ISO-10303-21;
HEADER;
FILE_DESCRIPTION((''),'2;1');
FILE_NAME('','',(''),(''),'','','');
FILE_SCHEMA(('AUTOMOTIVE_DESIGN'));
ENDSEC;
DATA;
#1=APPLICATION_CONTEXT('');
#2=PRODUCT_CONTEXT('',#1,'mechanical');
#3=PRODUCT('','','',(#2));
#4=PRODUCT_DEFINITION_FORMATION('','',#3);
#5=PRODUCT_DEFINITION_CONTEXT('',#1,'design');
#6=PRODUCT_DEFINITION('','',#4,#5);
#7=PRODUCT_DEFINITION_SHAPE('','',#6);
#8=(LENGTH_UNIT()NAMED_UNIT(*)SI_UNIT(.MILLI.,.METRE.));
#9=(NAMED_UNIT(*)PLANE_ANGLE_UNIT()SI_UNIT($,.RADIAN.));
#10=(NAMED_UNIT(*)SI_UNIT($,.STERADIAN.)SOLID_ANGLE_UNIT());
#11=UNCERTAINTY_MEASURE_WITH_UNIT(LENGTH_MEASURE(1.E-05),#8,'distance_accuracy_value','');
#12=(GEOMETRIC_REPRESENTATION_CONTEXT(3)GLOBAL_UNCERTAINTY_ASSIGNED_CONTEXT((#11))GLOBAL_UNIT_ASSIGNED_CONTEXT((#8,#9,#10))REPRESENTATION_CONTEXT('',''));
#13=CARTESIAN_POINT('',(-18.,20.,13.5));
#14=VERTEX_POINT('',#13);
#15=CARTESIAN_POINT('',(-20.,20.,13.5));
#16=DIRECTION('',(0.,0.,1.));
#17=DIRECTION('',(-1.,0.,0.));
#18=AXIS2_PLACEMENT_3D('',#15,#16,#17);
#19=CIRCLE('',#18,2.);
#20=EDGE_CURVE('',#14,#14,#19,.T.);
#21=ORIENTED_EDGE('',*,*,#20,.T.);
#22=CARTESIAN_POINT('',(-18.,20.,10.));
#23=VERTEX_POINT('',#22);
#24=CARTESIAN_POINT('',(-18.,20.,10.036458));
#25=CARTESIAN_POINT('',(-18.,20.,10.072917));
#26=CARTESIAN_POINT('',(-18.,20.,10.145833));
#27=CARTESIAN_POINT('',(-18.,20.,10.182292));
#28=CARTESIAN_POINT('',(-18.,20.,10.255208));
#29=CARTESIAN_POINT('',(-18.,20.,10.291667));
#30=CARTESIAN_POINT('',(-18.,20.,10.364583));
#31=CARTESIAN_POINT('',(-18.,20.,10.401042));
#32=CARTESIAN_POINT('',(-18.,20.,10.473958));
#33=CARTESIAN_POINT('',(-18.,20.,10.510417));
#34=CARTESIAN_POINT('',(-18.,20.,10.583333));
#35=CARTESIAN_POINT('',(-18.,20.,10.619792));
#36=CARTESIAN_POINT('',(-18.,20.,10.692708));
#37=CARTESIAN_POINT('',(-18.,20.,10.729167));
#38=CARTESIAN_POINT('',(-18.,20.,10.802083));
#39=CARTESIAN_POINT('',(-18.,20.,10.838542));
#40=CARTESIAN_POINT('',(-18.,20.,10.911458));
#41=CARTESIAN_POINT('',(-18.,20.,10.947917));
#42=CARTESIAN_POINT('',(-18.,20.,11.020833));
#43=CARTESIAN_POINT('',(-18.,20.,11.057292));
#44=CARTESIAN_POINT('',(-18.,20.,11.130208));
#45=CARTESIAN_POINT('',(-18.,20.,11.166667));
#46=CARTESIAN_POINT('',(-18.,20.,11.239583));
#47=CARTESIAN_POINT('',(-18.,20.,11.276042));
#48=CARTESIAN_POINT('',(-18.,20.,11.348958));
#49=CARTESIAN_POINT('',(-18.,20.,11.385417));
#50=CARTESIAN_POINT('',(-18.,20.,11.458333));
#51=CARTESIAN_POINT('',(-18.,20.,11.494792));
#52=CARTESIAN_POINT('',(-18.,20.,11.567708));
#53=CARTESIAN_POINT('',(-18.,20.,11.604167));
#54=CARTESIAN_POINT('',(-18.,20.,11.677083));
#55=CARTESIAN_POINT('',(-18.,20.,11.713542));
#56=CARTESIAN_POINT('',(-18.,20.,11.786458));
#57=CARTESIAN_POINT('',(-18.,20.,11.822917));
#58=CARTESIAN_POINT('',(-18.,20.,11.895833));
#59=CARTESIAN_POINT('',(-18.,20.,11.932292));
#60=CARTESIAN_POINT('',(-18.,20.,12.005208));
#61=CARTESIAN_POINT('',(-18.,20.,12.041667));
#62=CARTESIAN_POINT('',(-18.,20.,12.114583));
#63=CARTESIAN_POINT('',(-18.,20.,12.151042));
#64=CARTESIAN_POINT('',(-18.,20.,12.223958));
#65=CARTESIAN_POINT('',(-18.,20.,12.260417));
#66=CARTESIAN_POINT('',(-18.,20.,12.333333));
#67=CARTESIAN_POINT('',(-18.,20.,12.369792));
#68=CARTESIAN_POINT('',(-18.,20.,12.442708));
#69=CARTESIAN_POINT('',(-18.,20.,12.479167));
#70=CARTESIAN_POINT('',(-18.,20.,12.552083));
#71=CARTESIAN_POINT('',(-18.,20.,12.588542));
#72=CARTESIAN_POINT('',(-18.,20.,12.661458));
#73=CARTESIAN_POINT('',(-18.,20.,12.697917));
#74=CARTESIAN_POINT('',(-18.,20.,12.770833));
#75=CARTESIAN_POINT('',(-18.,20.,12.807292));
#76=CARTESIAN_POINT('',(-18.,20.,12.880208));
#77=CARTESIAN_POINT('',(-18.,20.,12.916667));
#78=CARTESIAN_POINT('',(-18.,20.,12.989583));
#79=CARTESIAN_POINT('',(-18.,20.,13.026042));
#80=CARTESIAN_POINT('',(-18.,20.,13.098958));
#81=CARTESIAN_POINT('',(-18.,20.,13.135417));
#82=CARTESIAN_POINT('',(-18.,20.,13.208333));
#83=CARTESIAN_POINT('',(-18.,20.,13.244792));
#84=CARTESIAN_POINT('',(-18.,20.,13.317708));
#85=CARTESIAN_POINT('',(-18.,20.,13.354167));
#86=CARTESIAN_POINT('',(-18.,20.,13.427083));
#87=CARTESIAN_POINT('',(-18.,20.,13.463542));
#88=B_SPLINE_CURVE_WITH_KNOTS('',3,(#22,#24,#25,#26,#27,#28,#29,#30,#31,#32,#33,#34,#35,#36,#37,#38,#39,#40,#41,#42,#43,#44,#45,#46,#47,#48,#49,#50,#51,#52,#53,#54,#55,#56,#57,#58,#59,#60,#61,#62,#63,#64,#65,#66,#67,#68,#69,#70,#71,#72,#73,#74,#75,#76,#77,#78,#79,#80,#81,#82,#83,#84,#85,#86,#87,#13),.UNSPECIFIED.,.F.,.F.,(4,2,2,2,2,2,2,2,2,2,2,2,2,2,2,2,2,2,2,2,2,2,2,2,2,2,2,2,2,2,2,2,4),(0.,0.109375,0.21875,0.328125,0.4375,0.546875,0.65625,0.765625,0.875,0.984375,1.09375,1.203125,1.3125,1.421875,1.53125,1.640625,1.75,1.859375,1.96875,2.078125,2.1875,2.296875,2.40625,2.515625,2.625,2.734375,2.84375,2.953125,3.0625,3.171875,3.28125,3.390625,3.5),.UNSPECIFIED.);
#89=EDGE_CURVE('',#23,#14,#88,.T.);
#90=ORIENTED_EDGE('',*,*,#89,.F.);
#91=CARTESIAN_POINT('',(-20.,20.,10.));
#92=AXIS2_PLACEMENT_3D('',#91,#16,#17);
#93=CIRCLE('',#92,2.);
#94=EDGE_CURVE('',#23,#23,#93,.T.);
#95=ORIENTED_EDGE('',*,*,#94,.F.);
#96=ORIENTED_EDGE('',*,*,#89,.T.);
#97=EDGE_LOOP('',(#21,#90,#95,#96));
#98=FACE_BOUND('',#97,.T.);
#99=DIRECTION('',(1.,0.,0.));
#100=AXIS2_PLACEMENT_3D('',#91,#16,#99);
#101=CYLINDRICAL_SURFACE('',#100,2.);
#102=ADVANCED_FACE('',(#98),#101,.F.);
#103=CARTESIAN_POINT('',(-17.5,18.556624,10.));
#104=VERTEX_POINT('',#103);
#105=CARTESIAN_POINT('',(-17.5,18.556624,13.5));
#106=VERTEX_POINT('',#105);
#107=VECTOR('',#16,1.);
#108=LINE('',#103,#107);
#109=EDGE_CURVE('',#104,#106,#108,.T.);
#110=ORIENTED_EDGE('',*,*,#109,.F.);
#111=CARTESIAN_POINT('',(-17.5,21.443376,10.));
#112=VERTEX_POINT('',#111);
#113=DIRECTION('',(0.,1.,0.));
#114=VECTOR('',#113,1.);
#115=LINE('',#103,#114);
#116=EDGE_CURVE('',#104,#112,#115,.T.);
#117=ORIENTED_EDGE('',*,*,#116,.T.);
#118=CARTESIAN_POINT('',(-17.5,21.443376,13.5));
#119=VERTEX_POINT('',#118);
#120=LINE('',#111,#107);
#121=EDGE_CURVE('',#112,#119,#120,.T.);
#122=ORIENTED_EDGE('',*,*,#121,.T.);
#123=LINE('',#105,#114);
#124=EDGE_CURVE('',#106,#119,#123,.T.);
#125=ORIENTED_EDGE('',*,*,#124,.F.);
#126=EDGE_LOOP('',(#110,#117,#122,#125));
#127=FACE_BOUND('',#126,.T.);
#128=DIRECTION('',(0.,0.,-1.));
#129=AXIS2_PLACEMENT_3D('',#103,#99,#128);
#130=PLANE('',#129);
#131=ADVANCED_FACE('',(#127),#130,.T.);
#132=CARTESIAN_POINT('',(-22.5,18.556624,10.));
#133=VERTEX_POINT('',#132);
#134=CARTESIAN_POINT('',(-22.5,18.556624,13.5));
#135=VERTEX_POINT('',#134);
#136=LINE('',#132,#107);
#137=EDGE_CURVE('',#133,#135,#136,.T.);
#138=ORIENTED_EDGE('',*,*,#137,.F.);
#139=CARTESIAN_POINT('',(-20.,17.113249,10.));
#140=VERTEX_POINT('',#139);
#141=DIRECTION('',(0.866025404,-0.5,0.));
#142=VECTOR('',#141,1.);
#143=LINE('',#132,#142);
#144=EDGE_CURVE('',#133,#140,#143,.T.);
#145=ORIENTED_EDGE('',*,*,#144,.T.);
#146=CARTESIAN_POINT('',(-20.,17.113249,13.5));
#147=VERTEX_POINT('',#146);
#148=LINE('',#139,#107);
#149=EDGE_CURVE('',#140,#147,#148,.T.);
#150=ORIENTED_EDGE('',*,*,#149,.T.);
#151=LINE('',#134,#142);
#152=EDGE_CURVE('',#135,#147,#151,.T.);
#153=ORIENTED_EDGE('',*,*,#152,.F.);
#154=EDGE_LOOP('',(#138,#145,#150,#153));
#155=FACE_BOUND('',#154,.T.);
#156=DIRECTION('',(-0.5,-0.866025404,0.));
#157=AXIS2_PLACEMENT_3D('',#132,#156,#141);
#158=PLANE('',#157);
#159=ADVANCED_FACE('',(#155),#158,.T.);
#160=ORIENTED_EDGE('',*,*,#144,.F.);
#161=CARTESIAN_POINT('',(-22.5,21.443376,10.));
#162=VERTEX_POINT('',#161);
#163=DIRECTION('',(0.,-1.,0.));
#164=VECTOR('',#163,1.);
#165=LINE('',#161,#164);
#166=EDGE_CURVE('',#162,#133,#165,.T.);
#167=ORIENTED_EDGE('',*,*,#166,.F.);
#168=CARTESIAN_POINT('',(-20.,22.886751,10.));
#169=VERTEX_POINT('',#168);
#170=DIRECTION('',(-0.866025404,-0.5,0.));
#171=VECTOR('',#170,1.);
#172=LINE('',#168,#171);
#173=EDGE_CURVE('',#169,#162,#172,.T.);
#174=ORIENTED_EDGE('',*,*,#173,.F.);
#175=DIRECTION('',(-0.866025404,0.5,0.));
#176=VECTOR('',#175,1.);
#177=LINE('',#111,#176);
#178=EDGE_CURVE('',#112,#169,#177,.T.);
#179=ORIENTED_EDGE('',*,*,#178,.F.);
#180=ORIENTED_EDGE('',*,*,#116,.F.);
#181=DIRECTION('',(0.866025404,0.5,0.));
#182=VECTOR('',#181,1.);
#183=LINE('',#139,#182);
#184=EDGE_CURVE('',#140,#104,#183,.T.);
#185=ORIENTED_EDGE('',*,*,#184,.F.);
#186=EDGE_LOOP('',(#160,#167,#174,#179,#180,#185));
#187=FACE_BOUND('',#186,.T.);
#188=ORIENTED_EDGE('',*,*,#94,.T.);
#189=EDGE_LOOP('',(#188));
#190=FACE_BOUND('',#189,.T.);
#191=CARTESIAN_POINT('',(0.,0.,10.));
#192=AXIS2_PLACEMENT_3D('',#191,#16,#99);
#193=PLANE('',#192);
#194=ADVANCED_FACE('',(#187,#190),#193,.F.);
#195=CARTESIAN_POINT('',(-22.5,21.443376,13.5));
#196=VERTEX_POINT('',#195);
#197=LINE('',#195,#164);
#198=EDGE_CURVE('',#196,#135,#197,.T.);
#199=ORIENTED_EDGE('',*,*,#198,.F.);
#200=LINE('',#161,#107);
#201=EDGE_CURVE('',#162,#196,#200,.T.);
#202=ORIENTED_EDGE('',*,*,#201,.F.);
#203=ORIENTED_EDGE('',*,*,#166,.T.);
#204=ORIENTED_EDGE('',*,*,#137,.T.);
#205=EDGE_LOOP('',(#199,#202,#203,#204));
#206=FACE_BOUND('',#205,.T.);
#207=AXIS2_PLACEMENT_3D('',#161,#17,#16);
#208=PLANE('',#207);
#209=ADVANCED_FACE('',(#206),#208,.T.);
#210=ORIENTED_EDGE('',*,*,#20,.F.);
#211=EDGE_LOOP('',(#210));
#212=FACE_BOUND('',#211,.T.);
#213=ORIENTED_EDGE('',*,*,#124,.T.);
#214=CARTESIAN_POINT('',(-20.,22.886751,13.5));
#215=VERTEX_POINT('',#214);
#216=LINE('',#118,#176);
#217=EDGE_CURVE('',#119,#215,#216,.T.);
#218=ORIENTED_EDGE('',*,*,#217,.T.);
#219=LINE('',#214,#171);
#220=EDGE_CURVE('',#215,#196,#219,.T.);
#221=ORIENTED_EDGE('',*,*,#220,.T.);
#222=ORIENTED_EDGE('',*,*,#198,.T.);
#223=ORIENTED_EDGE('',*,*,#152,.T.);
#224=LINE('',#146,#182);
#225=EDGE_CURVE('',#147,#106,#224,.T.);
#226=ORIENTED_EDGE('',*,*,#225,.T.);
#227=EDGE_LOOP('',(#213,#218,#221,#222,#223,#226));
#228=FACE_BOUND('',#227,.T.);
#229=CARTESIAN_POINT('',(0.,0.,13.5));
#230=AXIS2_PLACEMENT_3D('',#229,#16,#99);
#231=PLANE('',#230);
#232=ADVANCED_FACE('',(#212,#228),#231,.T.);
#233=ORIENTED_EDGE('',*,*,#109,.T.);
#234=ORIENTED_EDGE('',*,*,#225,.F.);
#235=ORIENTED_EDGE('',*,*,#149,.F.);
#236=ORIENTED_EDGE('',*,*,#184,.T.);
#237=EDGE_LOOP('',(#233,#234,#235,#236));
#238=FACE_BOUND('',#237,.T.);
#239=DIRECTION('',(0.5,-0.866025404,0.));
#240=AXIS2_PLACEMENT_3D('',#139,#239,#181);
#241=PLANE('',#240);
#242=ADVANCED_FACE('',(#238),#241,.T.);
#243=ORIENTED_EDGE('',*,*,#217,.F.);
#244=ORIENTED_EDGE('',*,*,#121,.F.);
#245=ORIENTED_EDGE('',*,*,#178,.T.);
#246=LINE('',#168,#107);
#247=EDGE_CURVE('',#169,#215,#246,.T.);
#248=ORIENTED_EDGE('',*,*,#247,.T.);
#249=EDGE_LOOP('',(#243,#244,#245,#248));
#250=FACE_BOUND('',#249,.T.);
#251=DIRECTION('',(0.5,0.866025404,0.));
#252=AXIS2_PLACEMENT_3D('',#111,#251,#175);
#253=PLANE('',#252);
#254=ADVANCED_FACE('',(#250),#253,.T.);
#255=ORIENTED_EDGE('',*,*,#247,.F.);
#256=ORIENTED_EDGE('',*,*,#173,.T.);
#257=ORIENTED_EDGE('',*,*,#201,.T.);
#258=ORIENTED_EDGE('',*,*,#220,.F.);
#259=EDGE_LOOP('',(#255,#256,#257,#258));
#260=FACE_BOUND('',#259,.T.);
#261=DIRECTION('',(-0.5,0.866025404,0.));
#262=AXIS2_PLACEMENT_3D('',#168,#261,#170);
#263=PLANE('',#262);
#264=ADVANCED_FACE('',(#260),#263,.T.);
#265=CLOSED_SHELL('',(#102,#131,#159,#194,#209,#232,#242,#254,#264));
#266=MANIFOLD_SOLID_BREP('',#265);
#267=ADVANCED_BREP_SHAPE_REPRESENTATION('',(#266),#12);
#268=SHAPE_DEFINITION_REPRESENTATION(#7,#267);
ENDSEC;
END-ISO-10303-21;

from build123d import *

# Parameters (mm, degrees)
SKETCH1_R           = 2
BOSS_EXTRUDE1_DEPTH = 3.5


with BuildPart() as part:
    # Sketch1 → Boss-Extrude1 (new body)
    with BuildSketch(Plane.XY.offset(13.5)):
        Polygon((-22.5, 18.556624327), (-20, 17.113248654), (-17.5, 18.556624327), (-17.5, 21.443375673), (-20, 22.886751346), (-22.5, 21.443375673), align=None)
        with Locations((-20, 20)):
            Circle(SKETCH1_R, mode=Mode.SUBTRACT)
    extrude(amount=-BOSS_EXTRUDE1_DEPTH)


solid = part.part
